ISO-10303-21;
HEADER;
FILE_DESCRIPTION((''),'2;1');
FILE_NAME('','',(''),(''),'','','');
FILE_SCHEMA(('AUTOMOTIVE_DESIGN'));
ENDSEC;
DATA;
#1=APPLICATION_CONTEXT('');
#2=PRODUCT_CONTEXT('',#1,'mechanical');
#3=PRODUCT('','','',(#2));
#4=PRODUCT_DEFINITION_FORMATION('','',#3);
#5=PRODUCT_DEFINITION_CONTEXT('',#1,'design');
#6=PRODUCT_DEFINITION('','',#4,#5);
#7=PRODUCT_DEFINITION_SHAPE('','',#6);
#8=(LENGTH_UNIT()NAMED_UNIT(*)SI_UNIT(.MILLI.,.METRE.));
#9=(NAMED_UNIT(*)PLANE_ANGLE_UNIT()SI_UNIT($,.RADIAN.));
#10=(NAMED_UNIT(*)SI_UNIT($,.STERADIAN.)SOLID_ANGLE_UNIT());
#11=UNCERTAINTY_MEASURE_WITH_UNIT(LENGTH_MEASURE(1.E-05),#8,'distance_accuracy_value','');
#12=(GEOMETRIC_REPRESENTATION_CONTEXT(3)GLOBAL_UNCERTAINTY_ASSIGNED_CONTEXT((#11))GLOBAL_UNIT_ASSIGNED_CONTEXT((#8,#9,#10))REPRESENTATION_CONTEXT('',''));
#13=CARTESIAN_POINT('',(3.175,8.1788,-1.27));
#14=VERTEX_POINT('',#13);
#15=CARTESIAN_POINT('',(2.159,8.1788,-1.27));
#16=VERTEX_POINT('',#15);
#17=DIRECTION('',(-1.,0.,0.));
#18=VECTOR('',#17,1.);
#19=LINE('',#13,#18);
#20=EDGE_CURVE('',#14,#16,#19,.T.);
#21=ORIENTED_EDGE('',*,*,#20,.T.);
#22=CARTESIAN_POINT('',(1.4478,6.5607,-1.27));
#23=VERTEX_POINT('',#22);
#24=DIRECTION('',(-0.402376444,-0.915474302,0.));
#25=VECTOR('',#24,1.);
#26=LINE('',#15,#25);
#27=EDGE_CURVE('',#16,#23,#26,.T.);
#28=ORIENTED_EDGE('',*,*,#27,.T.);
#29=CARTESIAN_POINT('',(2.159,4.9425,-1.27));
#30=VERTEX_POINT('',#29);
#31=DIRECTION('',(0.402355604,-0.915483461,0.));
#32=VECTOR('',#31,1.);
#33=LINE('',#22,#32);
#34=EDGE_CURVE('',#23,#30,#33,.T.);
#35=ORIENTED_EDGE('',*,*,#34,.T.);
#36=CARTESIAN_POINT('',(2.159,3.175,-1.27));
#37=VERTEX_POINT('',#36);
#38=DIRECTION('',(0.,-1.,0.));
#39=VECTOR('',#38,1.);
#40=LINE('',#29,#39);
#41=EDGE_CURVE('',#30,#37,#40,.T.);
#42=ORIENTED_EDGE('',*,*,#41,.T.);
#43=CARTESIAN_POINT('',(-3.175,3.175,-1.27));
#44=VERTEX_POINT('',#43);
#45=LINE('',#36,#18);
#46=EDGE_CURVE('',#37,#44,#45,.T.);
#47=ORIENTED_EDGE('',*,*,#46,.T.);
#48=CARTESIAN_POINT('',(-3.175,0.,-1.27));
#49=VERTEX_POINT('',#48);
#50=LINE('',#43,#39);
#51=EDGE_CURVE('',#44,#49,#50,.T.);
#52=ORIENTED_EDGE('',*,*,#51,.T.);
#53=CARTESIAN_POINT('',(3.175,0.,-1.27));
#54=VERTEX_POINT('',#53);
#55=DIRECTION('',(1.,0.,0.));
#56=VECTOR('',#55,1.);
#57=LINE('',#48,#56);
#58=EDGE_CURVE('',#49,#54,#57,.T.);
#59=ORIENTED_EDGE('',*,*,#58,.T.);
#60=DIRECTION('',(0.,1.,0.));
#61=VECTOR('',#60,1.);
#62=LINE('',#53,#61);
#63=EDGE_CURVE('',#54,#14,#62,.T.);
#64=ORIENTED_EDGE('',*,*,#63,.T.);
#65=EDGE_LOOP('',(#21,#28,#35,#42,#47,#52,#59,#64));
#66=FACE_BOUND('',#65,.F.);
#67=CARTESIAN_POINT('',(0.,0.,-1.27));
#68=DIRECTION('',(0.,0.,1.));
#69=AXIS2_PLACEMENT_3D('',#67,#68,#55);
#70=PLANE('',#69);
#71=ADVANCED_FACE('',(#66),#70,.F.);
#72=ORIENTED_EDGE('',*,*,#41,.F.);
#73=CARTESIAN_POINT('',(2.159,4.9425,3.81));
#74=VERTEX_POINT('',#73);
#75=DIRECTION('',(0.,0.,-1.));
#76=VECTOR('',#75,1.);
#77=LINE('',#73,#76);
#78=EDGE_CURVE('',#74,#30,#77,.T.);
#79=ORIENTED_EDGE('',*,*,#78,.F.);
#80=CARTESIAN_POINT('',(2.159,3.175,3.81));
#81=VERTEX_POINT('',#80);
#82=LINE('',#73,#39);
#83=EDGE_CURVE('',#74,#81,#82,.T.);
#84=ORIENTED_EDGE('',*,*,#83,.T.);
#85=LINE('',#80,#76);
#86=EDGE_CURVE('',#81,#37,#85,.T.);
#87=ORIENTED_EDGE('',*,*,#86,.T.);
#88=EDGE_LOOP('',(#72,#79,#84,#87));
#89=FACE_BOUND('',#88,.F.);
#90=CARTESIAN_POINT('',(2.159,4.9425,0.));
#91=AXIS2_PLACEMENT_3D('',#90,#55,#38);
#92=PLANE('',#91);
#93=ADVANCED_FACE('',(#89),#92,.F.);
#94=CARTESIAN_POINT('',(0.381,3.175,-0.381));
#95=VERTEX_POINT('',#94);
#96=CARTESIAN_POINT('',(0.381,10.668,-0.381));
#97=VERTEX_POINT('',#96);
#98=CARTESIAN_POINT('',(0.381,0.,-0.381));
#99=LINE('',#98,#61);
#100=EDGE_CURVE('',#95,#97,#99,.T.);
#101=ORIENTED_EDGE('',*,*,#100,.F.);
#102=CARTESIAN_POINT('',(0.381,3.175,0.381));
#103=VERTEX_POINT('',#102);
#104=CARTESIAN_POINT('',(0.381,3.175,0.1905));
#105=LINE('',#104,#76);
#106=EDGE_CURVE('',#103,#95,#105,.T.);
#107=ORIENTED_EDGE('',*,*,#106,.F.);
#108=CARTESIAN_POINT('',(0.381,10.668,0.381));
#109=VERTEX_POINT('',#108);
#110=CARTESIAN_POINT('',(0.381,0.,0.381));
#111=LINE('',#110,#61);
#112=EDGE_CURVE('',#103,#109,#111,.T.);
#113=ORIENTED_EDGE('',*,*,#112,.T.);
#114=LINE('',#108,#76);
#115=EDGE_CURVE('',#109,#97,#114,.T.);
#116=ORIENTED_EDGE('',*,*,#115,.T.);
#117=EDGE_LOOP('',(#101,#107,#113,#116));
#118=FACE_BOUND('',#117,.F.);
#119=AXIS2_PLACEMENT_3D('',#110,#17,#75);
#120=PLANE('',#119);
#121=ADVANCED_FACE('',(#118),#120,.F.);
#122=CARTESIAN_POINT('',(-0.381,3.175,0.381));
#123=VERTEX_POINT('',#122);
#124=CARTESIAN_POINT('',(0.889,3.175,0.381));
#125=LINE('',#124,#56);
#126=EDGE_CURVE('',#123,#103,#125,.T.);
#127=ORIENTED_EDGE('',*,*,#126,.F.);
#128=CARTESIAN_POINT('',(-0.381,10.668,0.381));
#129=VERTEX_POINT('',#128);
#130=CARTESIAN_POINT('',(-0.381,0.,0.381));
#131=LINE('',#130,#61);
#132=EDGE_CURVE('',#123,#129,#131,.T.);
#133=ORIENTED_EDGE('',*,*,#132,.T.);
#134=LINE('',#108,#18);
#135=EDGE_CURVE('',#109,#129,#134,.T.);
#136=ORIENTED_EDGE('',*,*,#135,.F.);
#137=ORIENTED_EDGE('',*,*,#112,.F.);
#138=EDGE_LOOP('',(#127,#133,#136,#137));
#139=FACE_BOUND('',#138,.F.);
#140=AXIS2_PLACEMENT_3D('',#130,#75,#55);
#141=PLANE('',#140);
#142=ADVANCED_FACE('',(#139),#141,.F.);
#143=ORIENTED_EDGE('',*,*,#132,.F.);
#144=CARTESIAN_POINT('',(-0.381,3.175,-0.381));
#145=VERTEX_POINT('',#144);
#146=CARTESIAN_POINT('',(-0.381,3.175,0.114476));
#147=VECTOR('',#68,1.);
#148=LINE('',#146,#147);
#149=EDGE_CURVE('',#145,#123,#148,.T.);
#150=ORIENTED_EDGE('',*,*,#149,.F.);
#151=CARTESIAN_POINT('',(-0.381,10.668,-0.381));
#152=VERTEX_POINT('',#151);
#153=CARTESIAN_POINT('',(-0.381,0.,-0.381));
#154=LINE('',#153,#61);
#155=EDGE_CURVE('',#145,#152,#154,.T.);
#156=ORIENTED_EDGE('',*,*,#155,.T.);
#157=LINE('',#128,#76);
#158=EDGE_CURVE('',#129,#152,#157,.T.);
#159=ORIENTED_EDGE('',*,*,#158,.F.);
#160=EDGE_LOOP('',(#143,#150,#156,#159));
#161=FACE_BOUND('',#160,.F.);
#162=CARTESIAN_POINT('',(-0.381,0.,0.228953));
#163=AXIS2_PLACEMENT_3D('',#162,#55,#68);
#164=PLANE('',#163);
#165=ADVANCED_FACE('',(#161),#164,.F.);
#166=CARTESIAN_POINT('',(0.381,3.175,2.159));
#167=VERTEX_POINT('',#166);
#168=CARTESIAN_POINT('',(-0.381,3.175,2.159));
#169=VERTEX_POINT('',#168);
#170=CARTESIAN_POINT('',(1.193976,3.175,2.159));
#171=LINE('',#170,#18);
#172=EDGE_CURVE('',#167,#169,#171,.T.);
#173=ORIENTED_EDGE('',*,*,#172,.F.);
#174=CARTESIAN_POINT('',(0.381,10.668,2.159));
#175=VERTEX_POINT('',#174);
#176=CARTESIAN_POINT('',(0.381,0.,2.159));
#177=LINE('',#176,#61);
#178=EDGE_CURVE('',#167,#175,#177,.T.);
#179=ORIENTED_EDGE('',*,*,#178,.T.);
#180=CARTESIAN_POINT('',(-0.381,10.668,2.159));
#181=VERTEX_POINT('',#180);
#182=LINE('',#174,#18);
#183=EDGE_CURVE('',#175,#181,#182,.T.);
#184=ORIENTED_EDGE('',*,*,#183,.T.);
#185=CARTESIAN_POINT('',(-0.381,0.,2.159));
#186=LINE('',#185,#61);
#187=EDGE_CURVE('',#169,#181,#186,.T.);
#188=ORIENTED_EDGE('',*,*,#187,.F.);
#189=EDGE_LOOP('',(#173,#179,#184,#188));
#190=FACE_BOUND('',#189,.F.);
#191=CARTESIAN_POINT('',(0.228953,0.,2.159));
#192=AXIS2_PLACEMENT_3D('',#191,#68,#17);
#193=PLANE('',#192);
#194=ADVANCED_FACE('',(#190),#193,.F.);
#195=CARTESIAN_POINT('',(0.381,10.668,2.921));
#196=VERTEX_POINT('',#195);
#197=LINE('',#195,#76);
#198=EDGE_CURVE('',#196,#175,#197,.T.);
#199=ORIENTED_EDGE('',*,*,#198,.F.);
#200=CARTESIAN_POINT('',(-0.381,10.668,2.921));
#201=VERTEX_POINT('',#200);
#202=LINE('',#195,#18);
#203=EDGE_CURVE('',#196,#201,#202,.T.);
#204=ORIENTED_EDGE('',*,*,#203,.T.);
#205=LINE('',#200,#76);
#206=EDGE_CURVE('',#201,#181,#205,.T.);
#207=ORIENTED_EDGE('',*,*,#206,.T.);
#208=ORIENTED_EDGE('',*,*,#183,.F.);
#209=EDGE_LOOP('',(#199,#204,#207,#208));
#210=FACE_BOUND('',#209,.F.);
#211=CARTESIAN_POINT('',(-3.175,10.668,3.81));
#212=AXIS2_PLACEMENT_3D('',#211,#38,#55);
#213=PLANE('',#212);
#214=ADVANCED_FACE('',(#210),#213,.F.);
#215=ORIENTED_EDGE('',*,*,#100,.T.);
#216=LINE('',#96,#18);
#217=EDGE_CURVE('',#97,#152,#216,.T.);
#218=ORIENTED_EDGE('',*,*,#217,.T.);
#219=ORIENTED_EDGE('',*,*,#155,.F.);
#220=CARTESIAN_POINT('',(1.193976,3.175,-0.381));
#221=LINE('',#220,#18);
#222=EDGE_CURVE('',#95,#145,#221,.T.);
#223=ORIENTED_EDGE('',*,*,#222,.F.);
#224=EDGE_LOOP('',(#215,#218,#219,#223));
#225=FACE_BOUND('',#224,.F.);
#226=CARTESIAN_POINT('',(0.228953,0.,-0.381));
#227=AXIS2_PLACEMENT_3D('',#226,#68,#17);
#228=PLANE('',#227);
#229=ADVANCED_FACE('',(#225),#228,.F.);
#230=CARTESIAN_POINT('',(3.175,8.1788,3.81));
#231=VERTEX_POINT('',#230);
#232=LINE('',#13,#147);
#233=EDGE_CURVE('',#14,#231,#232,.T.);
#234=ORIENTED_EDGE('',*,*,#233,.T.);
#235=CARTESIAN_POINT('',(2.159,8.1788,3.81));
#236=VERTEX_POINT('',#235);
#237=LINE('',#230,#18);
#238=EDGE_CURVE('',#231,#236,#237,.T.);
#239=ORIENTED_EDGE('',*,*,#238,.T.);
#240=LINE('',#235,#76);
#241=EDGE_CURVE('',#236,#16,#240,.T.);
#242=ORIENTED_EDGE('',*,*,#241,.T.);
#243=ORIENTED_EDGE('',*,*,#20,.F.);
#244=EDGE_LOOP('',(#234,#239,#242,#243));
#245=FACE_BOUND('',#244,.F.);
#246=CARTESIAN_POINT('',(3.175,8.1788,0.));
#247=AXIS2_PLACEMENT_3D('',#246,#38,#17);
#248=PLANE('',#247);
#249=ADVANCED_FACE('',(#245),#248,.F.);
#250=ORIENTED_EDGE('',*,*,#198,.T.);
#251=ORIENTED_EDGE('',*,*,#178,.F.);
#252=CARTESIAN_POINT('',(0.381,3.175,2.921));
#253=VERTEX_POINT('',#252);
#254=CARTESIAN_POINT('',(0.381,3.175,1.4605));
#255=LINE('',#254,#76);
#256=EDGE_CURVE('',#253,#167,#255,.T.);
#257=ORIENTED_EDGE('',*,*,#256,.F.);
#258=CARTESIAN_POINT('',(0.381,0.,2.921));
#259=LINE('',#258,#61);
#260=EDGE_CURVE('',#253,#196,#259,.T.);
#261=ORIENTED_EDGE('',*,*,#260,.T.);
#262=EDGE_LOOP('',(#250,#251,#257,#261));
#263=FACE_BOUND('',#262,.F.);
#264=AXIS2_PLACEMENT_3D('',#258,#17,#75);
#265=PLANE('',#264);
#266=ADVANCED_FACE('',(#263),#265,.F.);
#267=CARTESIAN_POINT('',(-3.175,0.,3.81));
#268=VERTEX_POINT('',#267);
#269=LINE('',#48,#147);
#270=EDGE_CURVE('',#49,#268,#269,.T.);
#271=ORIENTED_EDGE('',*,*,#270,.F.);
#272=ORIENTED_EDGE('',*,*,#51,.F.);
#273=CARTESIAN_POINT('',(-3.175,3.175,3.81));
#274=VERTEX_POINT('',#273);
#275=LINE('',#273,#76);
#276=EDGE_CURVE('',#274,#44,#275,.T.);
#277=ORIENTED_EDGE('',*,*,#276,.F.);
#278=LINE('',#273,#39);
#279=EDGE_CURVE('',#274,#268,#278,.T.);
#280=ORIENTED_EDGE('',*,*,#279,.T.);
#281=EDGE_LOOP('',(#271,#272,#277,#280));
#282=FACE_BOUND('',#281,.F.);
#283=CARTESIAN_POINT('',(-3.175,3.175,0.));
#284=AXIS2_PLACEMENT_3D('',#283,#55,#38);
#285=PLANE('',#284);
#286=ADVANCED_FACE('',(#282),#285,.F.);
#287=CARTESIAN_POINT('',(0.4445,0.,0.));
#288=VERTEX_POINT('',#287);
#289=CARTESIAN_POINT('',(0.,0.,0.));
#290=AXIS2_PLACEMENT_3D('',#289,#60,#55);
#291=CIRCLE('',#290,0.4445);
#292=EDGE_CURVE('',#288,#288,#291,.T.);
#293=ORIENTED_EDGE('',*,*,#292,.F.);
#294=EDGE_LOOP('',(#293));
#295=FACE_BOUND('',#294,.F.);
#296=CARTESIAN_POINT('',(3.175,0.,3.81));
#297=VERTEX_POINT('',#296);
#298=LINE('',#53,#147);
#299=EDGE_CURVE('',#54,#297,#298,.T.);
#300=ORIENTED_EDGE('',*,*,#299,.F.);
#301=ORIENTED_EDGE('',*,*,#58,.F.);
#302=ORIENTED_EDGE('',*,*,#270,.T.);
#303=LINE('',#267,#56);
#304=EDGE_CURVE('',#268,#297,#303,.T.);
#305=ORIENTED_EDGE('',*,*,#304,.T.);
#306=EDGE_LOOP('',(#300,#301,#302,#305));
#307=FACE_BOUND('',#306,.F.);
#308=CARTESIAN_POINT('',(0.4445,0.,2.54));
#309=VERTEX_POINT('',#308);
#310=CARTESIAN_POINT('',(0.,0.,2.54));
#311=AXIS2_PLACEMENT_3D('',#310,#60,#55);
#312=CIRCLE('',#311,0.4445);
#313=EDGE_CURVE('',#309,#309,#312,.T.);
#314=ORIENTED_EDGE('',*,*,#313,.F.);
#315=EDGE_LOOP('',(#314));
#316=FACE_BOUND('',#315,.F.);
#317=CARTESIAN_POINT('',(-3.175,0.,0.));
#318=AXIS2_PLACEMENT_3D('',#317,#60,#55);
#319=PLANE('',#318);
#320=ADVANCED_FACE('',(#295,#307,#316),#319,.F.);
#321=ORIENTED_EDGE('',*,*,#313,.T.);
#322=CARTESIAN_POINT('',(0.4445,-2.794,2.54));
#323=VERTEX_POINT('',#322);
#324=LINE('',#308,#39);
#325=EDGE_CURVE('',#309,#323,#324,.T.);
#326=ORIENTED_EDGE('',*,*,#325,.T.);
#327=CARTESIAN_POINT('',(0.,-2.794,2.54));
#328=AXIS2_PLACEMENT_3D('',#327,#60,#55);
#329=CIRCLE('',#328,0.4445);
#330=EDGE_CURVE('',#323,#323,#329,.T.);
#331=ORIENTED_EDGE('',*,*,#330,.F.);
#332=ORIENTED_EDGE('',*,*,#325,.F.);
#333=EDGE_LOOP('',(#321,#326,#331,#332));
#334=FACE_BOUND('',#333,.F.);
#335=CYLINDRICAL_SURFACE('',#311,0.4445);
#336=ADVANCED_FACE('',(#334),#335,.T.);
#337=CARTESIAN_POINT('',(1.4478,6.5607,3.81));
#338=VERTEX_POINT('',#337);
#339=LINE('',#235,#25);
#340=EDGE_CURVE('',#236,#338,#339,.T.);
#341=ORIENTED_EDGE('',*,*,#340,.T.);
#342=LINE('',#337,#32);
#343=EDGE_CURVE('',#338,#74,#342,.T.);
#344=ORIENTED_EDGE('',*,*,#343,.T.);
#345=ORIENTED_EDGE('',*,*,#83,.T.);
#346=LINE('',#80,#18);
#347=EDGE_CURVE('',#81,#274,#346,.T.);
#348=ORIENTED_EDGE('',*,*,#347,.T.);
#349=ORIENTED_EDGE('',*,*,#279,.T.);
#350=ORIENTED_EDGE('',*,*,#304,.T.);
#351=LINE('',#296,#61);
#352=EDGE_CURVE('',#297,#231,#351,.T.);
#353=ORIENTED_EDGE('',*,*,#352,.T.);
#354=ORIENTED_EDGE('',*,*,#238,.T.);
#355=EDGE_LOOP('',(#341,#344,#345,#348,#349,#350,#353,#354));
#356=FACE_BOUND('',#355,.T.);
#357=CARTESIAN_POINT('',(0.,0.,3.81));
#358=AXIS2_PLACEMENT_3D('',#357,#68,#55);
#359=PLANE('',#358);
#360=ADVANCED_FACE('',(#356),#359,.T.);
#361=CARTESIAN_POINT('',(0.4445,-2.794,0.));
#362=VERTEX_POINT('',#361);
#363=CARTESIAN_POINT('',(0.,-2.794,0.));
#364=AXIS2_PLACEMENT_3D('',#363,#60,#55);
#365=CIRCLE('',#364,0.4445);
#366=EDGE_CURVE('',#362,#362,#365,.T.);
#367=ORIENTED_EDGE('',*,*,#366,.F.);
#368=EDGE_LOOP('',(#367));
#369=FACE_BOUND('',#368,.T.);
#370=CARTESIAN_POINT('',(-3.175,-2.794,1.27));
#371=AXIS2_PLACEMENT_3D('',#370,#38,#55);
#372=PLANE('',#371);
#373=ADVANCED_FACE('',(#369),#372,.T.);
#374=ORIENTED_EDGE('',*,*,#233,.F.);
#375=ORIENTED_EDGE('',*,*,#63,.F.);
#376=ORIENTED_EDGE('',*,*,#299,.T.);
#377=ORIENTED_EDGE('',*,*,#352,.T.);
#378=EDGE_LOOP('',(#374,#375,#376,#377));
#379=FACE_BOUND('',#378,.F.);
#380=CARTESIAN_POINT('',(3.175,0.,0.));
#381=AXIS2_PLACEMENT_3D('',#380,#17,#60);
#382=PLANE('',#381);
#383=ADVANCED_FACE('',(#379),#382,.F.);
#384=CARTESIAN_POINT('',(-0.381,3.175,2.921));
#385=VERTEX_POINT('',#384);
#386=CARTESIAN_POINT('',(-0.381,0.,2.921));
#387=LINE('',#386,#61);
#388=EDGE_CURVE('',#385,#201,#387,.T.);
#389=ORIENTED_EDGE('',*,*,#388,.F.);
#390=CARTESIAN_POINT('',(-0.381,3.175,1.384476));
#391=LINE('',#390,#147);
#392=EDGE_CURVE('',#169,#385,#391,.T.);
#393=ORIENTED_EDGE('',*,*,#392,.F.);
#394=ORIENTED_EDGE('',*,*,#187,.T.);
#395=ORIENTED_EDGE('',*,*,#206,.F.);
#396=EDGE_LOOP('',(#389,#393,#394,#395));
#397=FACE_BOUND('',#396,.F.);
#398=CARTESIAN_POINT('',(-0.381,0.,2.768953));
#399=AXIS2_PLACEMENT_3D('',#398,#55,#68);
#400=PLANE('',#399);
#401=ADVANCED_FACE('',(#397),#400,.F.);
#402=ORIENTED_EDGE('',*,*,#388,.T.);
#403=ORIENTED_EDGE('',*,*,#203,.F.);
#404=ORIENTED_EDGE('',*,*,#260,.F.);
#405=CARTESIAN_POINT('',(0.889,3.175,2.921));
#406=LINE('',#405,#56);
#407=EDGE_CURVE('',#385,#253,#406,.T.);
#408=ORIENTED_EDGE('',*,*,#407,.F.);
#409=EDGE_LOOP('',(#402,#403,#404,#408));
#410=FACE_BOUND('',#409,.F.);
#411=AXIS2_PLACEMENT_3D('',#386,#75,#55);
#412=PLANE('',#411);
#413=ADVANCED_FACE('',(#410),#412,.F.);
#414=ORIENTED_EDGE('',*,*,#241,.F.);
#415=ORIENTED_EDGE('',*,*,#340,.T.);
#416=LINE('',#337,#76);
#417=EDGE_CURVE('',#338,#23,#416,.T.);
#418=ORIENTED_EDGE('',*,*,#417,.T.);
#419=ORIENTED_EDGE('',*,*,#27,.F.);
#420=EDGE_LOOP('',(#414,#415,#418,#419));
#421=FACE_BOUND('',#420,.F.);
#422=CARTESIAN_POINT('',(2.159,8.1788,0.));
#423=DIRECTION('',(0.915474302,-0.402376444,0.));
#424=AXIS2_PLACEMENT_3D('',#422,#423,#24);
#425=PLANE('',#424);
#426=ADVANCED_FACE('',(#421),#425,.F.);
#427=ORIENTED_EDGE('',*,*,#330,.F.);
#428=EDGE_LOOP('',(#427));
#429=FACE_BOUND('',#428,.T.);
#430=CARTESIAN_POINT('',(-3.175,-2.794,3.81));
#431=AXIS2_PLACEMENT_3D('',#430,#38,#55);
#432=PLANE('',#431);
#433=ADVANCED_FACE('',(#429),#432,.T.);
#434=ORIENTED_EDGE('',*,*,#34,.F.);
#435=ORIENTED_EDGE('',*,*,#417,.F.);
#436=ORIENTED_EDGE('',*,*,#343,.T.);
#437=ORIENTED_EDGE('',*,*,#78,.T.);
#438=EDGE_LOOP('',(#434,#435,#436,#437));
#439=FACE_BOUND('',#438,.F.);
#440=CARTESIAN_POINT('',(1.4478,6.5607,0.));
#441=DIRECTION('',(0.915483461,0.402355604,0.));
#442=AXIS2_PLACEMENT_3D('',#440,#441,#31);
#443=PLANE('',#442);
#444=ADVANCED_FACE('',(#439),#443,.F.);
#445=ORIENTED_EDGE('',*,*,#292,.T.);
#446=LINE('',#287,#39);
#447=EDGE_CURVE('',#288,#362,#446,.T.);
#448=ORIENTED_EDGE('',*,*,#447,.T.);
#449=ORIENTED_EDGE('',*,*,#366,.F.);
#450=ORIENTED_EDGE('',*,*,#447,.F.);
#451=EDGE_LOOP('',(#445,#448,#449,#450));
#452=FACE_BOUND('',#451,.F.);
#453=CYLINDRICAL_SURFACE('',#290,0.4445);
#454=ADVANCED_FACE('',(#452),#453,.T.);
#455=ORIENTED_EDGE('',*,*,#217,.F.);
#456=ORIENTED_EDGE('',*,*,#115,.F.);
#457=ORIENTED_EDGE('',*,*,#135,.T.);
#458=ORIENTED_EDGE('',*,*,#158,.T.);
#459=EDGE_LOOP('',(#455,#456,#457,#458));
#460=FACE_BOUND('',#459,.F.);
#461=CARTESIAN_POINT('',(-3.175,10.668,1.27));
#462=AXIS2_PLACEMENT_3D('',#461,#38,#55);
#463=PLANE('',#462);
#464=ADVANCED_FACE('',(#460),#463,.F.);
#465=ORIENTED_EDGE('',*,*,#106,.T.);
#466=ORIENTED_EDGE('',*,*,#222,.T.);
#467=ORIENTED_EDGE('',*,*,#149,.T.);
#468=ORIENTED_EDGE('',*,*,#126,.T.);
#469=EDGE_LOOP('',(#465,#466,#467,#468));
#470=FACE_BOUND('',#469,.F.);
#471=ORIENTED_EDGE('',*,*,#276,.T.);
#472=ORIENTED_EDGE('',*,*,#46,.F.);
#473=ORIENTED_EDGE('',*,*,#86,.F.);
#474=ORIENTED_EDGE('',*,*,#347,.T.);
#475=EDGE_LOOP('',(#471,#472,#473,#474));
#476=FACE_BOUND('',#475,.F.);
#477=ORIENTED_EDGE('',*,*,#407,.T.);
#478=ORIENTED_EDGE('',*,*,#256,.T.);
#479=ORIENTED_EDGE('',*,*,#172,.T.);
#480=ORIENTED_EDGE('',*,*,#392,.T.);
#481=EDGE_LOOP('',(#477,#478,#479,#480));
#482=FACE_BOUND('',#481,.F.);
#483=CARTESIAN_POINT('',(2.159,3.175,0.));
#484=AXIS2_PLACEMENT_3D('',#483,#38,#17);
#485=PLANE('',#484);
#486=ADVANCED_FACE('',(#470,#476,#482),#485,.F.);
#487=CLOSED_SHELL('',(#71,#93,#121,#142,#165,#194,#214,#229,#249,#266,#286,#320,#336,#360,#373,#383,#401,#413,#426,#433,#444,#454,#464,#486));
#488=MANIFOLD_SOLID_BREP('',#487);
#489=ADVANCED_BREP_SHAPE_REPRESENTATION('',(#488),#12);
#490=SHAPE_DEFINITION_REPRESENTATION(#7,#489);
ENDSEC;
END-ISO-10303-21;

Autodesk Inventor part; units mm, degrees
ref_plane "YZ Plane (RIGHT)" through (0, 0, 0) normal (1, 0, 0) x (0, 1, 0)
ref_plane "XZ Plane (TOP)" through (0, 0, 0) normal (0, 1, 0) x (-1, 0, 0)
ref_plane "XY Plane (FRONT)" through (0, 0, 0) normal (0, 0, 1) x (1, 0, 0)
sketch "Sketch2" plane through (0, 0, 0) normal (0, 0, 1) x (1, 0, 0)
  line L0 (-4.445, 0) -> (4.445, 0) construction
  line L1 (0, 9.8146) -> (0, -1.6358) construction
  line L2 (-3.175, 0) -> (3.175, 0)
  line L3 (2.159, 3.175) -> (-3.175, 3.175)
  line L4 (-3.175, 3.175) -> (-3.175, 0)
  line L5 (3.175, 0) -> (3.175, 8.1788)
  line L6 (3.175, 8.1788) -> (2.159, 8.1788)
  line L7 (2.159, 8.1788) -> (1.4478, 6.5607)
  line L8 (1.4478, 6.5607) -> (2.159, 4.9425)
  line L9 (2.159, 4.9425) -> (2.159, 3.175)
  point P0 (0, 0)
  dimension "d0" = 6.35
  dimension "d1" = 3.175
  dimension "d2" = 8.1788
  dimension "d3" = 1.4478
  dimension "d4" = 1.016
extrude "Extrusion1" add sketch "Sketch2" along normal mid plane 2.54
sketch "Sketch3" plane through (-3.175, 0, 1.27) normal (0, -1, 0) x (1, 0, 0)
  line L0 (-1.27, -1.27) -> (7.62, -1.27) construction
  line L1 (3.175, 0.508) -> (3.175, -3.048) construction
  line L2 (2.794, -0.889) -> (3.556, -0.889)
  line L3 (3.556, -0.889) -> (3.556, -1.651)
  line L4 (3.556, -1.651) -> (2.794, -1.651)
  line L5 (2.794, -1.651) -> (2.794, -0.889)
  circle A0 centre (3.175, -1.27) radius 0.4445
  dimension "d7" = 0.762
  dimension "d15" = 0.889
extrude "Extrusion2" add sketch "Sketch3" along normal blind 2.794 contours A0 L2 | L2 A0 L3 L4 L5 | L5 A0 | A0 L3 | L4 A0
extrude "Extrusion3" add sketch "Sketch3" against normal blind 10.668 contours L2 A0 L5 | L2 A0 L3 L4 L5 | L2 L3 A0 | A0 L4 L5 | L3 L4 A0
pattern_linear "Rectangular Pattern1" count 2 spacing 2.54 along (0, 0, 1) of "Extrusion1", "Extrusion2", "Extrusion3"
properties part number "Molex KK 2 Pin"
